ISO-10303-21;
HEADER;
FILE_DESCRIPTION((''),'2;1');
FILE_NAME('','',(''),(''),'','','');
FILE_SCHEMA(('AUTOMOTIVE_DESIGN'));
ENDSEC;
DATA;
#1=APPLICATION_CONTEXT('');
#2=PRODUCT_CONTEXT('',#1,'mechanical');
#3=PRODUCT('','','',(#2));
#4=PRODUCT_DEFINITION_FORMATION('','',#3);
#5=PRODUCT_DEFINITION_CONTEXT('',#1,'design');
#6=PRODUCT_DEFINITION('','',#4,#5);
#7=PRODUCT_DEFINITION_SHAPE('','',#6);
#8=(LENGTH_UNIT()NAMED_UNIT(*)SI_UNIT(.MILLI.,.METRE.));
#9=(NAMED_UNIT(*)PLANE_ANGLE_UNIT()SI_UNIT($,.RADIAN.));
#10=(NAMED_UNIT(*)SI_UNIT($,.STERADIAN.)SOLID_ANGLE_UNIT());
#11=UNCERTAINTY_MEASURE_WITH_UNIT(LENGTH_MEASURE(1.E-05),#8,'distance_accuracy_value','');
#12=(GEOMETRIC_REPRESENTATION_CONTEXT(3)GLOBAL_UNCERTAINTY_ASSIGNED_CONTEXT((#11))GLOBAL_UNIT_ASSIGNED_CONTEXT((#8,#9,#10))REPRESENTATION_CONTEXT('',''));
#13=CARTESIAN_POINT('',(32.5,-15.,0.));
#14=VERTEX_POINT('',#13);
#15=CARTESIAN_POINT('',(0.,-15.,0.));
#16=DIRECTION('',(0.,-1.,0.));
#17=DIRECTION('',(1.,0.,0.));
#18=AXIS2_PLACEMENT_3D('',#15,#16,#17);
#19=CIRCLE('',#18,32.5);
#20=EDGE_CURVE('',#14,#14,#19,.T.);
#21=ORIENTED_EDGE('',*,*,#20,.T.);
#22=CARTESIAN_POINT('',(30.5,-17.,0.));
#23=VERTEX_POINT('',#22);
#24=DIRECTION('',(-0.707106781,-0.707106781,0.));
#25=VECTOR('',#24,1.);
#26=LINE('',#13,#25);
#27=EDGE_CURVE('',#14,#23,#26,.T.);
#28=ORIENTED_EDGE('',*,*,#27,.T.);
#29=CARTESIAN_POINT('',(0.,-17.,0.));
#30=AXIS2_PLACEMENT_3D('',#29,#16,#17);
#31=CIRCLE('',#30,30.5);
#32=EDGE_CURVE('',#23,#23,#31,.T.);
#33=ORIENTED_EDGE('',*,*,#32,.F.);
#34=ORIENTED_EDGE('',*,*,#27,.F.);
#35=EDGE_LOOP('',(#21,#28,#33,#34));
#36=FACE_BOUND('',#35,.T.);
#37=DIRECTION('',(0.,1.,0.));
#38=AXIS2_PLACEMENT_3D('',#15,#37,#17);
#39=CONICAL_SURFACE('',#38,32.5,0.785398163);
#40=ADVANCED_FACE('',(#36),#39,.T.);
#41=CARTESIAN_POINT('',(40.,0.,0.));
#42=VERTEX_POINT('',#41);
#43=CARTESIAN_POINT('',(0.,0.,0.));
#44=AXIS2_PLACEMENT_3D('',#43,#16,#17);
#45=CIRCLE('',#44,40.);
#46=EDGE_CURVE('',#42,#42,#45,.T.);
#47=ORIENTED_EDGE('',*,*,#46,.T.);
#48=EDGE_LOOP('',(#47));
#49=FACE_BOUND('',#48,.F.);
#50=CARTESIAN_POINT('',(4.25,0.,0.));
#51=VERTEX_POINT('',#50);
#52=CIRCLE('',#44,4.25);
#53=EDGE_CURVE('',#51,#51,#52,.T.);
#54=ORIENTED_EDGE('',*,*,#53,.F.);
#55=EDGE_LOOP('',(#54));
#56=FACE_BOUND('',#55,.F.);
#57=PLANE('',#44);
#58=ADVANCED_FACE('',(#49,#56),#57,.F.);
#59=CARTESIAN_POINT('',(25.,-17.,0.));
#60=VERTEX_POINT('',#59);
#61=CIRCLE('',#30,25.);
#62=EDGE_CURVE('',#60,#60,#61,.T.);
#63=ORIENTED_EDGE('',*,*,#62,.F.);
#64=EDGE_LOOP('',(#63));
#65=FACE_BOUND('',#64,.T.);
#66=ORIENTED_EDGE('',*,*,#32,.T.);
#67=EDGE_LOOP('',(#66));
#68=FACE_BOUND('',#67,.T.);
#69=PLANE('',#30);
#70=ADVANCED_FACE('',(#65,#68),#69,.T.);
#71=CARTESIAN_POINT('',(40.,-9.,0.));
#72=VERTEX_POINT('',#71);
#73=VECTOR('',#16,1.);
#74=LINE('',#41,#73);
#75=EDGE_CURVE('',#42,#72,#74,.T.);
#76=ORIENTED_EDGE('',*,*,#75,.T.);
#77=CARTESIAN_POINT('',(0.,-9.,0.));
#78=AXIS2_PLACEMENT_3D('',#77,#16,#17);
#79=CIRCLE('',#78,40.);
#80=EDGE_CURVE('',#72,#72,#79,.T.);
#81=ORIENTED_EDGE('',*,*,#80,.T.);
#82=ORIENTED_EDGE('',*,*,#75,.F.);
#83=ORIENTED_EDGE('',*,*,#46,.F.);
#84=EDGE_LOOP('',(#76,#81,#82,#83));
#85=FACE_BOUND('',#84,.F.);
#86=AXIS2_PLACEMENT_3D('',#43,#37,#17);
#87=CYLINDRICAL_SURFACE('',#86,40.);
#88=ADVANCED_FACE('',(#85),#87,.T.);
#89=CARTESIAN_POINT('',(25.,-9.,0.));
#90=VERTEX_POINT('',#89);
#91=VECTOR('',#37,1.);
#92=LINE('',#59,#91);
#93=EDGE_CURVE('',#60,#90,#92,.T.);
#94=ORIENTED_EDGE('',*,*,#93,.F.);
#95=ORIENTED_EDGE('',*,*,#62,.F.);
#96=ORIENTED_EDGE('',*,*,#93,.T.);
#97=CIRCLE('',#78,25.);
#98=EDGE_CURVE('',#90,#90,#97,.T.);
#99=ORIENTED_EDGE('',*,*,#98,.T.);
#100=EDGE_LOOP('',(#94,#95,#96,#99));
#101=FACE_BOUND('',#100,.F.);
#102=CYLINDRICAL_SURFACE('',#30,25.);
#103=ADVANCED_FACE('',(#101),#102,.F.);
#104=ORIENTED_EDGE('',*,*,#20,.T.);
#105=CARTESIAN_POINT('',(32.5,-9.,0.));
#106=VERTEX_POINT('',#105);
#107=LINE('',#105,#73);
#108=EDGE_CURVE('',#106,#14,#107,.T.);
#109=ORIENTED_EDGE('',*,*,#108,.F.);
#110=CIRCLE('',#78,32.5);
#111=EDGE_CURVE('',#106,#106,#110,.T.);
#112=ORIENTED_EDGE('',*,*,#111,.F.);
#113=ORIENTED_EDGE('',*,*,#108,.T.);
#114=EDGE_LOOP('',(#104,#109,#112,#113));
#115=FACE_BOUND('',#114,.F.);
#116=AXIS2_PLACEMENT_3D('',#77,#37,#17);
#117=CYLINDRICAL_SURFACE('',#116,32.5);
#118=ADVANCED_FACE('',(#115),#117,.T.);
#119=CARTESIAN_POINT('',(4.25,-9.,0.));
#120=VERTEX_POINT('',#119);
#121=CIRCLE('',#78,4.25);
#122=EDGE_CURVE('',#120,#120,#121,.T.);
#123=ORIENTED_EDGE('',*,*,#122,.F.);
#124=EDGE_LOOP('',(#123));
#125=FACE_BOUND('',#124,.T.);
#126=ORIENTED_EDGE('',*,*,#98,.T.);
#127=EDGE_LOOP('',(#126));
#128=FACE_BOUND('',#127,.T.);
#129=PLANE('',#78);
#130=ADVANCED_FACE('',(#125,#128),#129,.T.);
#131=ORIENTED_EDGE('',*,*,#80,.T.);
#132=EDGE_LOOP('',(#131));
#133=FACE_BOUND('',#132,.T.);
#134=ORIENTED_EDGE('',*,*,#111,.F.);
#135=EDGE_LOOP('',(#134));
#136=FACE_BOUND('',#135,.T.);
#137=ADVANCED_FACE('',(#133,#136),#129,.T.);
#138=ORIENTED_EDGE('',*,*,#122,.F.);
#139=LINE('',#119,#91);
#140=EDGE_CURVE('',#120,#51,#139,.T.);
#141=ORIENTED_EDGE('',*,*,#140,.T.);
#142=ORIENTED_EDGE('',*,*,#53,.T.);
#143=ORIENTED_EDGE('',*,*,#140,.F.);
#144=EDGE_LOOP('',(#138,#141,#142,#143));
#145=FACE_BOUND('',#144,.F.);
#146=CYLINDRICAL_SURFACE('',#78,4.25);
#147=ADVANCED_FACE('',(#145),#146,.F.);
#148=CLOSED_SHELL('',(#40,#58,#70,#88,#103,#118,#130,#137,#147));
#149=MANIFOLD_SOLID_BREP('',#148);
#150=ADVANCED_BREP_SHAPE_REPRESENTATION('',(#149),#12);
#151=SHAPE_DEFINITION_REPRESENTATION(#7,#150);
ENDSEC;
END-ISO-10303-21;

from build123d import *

# Parameters (mm, degrees)
F0_R     = 40
F1_DEPTH = 9
F2_R     = 32.5
F3_DEPTH = 8
F4_R     = 25
F5_DEPTH = 8
F6_R     = 4.25
F7_DEPTH = 25
F8_SIZE  = 2


with BuildPart() as f1:
    # F0 (on Front) → F1 (new body)
    with BuildSketch(Plane.XZ):
        Circle(F0_R)
    extrude(amount=F1_DEPTH)

    # F2 (on face) → F3 (join)
    with BuildSketch(Plane.XZ.offset(9)):
        Circle(F2_R)
    extrude(amount=F3_DEPTH)

    # F4 (on face) → F5 (cut)
    with BuildSketch(Plane.XZ.offset(17)):
        Circle(F4_R)
    extrude(amount=-F5_DEPTH, mode=Mode.SUBTRACT)

    # F6 (on face) → F7 (cut)
    with BuildSketch(Plane.XZ.offset(9)):
        Circle(F6_R)
    extrude(amount=-F7_DEPTH, mode=Mode.SUBTRACT)

    # F8
    f8_edges = [f1.edges().sort_by_distance(p)[0] for p in [
        (-32.5, -17, 0),
    ]]
    chamfer(f8_edges, length=F8_SIZE)


solid = f1.part
